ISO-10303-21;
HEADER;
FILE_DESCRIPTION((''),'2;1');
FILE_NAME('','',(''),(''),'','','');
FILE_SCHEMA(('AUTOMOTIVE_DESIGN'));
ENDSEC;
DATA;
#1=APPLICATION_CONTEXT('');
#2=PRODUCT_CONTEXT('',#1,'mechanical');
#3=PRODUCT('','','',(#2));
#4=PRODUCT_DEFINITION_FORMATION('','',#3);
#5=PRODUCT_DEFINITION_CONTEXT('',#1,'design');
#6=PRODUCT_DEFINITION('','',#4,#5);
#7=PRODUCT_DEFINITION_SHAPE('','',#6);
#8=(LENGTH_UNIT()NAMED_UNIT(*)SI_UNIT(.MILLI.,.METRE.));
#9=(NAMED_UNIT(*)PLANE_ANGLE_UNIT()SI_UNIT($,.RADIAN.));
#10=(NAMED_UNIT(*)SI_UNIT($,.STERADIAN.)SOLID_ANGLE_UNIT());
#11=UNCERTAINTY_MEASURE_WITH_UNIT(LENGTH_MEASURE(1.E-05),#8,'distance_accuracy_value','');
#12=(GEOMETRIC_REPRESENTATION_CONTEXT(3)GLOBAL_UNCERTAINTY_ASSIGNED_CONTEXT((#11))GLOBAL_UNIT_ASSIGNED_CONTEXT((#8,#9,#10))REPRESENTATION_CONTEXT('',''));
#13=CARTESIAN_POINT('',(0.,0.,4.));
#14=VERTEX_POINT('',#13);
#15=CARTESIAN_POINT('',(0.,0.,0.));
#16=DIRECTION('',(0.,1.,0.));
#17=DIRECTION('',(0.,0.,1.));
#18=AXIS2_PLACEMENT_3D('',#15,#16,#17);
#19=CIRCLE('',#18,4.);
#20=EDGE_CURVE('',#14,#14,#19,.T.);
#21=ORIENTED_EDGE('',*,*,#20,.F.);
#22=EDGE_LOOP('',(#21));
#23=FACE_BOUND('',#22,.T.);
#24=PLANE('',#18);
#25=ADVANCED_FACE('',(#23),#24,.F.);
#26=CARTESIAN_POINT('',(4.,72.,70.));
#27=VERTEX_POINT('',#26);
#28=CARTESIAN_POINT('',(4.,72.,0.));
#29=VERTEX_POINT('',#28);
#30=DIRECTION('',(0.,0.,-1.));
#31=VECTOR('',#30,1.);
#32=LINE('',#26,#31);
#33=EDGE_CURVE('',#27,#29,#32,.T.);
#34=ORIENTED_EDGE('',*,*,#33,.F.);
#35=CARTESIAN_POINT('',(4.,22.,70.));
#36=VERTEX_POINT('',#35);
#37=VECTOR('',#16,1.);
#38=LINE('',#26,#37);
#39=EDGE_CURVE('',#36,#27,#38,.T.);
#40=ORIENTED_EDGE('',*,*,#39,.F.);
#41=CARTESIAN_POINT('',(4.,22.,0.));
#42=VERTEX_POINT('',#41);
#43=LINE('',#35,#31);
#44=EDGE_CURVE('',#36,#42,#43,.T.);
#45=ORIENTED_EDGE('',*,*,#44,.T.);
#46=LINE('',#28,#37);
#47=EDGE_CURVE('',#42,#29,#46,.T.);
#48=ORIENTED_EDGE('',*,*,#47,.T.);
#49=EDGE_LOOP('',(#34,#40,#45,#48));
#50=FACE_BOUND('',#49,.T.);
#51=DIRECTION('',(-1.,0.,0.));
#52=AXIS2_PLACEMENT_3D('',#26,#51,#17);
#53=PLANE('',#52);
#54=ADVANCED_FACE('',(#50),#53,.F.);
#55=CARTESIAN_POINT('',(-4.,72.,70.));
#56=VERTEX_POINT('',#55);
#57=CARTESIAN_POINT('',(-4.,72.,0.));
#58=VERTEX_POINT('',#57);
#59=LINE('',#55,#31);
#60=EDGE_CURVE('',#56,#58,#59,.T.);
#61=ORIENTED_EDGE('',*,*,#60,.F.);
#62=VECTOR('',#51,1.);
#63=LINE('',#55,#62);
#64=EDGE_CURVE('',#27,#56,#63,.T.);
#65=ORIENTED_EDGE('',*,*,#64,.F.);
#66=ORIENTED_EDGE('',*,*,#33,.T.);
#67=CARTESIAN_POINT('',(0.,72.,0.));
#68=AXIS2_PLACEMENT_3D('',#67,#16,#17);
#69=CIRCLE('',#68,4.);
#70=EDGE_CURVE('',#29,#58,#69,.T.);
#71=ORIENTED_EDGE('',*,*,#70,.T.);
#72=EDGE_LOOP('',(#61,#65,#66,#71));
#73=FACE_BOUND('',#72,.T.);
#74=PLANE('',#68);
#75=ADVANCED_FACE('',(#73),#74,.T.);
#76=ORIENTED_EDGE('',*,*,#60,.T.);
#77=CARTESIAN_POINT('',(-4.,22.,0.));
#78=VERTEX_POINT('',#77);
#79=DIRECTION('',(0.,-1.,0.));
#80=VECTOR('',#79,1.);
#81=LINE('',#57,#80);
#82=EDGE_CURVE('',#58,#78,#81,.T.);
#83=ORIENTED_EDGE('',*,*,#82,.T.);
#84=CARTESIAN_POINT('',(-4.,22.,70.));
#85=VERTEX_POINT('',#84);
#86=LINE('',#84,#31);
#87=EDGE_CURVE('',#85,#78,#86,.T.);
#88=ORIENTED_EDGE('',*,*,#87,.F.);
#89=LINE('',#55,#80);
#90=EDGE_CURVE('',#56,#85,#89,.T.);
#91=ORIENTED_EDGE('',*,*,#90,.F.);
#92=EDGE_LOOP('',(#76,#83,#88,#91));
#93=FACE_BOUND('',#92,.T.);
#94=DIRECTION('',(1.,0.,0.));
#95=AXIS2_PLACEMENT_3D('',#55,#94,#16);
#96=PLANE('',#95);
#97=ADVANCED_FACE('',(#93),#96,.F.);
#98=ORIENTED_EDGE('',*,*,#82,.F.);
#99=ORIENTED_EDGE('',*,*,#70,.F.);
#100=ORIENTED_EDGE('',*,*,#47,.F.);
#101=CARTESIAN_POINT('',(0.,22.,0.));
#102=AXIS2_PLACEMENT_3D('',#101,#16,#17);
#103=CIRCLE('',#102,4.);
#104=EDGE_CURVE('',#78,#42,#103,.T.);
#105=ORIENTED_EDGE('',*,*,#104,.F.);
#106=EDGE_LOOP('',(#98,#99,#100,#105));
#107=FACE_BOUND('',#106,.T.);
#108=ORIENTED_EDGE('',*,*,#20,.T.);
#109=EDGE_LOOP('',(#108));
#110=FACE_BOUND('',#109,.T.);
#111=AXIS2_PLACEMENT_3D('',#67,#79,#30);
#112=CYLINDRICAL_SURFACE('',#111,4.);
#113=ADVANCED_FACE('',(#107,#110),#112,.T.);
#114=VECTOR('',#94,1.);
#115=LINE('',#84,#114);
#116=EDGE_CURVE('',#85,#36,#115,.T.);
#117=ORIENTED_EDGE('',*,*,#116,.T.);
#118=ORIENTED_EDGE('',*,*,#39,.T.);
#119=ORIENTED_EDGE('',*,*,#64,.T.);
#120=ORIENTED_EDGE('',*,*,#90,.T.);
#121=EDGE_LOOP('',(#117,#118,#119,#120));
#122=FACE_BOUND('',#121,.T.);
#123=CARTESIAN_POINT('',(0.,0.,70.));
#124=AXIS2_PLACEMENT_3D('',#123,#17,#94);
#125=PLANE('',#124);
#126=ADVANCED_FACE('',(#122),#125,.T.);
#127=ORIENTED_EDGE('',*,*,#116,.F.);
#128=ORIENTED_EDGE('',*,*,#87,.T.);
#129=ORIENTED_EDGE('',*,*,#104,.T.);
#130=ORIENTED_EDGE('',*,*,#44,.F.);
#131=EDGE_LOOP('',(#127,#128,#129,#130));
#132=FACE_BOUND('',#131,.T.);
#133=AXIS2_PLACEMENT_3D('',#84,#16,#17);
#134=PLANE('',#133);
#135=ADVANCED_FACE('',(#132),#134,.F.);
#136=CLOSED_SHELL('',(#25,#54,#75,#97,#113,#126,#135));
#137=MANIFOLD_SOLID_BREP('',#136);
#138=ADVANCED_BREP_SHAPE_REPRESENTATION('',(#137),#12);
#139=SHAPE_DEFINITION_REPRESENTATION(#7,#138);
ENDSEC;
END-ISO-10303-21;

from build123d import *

# Parameters (mm, degrees)
SKETCH1_R           = 4
BOSS_EXTRUDE1_DEPTH = 72
SKETCH2_W           = 8
SKETCH2_H           = 50
BOSS_EXTRUDE2_DEPTH = 70


with BuildPart() as part:
    # Sketch1 → Boss-Extrude1 (new body)
    with BuildSketch(Plane(origin=(0, 0, 0), x_dir=(1, 0, 0), z_dir=(0, 1, 0))):
        with Locations(Location((0, 0, 0), (0, 0, 270))):
            Circle(SKETCH1_R)
    extrude(amount=BOSS_EXTRUDE1_DEPTH)

    # Sketch2 → Boss-Extrude2 (add)
    with BuildSketch(Plane.XY):
        with Locations((0, 47)):
            Rectangle(SKETCH2_W, SKETCH2_H)
    extrude(amount=BOSS_EXTRUDE2_DEPTH)


solid = part.part
